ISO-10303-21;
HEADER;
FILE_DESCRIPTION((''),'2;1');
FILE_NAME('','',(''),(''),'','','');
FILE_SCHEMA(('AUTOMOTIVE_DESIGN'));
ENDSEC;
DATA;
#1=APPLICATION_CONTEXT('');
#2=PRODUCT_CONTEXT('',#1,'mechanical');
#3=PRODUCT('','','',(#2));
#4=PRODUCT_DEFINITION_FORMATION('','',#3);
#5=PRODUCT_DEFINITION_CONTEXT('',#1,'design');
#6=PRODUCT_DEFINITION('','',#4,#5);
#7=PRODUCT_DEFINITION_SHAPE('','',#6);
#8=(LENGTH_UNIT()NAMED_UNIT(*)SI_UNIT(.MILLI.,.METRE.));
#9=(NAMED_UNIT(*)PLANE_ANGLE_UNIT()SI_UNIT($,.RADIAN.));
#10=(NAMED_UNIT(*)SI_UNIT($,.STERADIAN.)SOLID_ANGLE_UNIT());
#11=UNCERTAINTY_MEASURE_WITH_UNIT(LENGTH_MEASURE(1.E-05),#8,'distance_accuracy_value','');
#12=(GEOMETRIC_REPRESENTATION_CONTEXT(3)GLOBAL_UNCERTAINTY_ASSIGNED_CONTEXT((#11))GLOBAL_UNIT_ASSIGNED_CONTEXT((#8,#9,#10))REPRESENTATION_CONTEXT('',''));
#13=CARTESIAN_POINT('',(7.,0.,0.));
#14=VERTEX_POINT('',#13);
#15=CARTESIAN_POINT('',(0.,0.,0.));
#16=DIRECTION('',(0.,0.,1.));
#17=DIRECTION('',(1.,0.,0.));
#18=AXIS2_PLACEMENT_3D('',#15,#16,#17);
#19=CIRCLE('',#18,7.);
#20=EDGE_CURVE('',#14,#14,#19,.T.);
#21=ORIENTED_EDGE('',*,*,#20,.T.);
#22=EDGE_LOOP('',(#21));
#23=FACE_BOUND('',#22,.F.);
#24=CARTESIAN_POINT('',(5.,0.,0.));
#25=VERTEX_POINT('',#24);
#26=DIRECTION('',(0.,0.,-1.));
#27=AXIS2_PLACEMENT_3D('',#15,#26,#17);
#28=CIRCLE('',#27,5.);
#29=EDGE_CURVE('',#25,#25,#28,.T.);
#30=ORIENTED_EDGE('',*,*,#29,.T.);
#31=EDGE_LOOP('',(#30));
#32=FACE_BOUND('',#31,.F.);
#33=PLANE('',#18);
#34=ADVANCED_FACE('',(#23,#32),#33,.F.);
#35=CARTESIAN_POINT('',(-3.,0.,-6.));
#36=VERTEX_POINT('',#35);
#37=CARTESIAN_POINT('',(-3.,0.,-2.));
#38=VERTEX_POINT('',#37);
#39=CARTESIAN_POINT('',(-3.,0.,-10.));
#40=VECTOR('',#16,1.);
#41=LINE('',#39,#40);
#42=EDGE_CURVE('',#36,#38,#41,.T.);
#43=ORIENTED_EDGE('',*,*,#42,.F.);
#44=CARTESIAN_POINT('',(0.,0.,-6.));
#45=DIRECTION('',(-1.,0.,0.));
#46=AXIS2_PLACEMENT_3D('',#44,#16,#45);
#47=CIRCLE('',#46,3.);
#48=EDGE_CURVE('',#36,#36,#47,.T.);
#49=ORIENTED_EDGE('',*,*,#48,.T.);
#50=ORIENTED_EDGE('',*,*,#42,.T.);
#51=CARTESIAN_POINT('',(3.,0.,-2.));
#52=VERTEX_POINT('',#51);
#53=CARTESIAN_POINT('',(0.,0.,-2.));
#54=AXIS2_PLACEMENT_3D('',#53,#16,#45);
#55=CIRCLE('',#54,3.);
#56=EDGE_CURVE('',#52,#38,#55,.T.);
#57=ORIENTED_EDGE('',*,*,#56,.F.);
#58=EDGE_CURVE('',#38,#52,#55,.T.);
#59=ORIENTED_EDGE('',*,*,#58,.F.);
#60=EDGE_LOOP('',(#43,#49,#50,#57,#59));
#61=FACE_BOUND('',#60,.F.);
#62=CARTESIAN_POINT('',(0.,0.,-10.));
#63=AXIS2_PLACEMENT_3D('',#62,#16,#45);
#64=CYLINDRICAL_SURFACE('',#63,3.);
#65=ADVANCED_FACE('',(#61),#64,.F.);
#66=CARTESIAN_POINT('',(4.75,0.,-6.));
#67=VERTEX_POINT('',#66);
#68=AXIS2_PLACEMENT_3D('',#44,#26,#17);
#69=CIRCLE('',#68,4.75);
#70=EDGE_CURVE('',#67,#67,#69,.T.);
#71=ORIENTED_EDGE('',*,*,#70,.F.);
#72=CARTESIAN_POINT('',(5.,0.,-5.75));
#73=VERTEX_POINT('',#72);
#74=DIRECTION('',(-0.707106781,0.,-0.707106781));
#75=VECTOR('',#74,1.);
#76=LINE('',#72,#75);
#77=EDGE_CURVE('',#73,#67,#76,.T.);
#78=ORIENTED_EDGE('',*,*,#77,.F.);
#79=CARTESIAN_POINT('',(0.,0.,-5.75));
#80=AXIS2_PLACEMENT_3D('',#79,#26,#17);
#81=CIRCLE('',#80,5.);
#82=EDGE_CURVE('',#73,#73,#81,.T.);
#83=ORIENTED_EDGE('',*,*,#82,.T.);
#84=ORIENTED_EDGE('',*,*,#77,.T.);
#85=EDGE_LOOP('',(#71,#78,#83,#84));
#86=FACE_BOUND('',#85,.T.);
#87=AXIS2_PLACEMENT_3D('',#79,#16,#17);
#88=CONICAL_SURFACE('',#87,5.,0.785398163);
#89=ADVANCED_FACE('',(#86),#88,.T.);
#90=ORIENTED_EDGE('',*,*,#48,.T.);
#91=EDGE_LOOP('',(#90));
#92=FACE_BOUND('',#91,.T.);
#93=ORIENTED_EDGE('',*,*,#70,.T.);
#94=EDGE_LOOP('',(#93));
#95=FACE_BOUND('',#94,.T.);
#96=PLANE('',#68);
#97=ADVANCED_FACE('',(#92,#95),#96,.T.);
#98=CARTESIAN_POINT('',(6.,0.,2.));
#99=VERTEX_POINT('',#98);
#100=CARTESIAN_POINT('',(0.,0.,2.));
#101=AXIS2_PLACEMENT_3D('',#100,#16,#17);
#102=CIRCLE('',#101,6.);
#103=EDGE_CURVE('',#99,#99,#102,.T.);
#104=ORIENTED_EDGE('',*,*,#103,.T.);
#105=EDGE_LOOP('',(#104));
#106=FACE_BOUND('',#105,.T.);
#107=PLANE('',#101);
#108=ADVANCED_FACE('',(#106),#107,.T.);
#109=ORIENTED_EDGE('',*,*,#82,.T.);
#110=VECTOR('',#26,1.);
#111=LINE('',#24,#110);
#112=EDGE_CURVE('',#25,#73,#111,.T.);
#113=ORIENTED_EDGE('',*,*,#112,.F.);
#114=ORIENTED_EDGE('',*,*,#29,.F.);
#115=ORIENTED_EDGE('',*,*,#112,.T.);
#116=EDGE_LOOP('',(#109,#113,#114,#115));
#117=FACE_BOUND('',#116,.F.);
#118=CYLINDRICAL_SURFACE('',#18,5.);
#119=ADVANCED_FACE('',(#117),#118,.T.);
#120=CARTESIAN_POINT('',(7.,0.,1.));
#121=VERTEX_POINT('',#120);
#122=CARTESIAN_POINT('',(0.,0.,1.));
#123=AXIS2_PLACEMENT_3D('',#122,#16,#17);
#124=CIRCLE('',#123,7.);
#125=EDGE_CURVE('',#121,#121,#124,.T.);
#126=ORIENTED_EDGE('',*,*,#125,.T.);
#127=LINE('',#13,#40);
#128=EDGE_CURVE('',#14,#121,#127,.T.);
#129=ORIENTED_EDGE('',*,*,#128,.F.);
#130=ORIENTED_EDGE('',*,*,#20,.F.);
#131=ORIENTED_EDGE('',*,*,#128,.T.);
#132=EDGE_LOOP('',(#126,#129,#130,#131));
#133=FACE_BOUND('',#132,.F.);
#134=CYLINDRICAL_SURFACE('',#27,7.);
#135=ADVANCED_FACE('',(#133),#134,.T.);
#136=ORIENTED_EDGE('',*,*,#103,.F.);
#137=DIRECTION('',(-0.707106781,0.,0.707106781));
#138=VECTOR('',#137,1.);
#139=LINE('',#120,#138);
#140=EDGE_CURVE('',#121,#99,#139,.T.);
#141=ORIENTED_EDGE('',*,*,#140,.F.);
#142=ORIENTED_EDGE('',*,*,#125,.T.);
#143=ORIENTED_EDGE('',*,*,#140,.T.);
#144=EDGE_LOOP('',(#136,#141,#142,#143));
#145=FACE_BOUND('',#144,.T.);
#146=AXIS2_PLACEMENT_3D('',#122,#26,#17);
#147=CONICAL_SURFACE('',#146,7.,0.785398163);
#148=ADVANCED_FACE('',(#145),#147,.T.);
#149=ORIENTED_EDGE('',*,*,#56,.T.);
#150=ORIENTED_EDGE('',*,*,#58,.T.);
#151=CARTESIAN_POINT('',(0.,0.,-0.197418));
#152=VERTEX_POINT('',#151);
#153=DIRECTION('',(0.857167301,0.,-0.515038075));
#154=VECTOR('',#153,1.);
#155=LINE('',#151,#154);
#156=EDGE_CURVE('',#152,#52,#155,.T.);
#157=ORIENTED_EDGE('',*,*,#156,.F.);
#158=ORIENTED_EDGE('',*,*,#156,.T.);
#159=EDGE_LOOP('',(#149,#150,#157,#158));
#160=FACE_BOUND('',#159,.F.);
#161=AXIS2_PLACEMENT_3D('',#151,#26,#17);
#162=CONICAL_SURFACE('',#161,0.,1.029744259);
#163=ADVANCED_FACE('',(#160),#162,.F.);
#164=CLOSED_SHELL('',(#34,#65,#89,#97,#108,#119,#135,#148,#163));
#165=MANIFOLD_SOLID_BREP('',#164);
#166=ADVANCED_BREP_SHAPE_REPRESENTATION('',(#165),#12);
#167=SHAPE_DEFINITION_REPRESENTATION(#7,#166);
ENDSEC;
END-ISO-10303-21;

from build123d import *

# Parameters (mm, degrees)
F0_R     = 7
F1_DEPTH = 2
F2_SIZE  = 1
F3_R     = 5
F4_DEPTH = 6
F5_SIZE  = 0.25
F7_D     = 6
F7_DEPTH = 4
F7_TIP   = 1.8025818571


with BuildPart() as f1:
    # F0 (on Top) → F1 (new body)
    with BuildSketch(Plane.XY):
        Circle(F0_R)
    extrude(amount=F1_DEPTH)

    # F2
    f2_edges = [f1.edges().sort_by_distance(p)[0] for p in [
        (-7, 0, 2),
    ]]
    chamfer(f2_edges, length=F2_SIZE)

    # F3 (on face) → F4 (join)
    with BuildSketch(Plane(origin=(0, 0, 0), x_dir=(1, 0, 0), z_dir=(0, 0, -1))):
        Circle(F3_R)
    extrude(amount=F4_DEPTH)

    # F5
    f5_edges = [f1.edges().sort_by_distance(p)[0] for p in [
        (-5, 0, -6),
    ]]
    chamfer(f5_edges, length=F5_SIZE)

    # F7
    with Locations(Plane(origin=(0, 0, -6), x_dir=(1, 0, 0), z_dir=(0, 0, -1))):
        with Locations((0, 0)):
            Hole(F7_D / 2, depth=F7_DEPTH)
            with Locations((0, 0, -(F7_DEPTH + F7_TIP / 2))):  # 118° drill point
                Cone(0, F7_D / 2, F7_TIP, mode=Mode.SUBTRACT)


solid = f1.part
